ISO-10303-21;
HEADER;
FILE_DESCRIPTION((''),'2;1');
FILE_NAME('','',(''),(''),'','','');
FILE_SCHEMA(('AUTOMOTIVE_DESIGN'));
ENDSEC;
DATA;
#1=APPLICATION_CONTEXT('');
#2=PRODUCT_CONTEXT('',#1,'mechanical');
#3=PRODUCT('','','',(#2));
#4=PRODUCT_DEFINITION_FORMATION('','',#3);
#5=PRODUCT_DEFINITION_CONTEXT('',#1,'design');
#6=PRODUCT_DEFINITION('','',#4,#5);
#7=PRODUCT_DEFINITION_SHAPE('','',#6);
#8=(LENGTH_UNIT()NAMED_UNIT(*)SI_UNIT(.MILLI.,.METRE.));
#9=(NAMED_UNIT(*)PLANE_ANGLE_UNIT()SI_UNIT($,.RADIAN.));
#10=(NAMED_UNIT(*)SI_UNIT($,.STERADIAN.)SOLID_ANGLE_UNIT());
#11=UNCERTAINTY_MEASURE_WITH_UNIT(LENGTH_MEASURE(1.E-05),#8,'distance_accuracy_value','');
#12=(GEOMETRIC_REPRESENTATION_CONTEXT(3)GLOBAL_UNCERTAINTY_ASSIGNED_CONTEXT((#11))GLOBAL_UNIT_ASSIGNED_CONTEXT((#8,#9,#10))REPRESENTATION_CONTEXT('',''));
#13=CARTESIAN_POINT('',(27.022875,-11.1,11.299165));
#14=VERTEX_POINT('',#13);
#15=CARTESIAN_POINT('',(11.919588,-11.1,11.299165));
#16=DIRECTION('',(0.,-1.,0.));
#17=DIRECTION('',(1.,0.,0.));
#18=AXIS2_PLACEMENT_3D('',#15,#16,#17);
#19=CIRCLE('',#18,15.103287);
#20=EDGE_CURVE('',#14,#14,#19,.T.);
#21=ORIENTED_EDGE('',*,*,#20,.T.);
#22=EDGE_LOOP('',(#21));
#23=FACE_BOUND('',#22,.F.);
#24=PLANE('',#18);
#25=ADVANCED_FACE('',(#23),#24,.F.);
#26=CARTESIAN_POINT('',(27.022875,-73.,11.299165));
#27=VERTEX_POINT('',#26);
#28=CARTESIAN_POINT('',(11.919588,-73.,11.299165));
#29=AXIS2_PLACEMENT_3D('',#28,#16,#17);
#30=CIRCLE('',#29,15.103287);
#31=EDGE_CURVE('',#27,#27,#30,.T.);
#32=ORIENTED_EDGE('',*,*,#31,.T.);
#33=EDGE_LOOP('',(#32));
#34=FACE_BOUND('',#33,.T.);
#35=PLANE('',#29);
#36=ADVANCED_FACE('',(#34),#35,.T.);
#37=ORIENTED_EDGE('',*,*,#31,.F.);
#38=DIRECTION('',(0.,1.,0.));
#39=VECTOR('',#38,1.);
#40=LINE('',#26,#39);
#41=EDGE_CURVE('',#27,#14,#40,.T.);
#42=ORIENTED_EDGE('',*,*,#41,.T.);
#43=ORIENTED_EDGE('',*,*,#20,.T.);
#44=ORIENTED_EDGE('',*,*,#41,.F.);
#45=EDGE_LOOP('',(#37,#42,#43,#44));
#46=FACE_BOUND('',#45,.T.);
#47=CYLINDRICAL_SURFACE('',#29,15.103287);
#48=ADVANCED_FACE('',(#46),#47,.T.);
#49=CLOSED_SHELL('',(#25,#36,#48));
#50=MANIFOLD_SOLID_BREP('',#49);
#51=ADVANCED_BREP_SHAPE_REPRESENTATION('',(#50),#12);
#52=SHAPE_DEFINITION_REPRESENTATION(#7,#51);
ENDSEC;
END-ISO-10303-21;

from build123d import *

# Parameters (mm, degrees)
F0_R     = 16.979872
F1_DEPTH = 73
F2_R     = 27.197587
F3_R     = 15.103287
F4_DEPTH = 61.9


with BuildPart() as f1:
    # F0 (on Front) → F1 (new body)
    with BuildSketch(Plane.XZ):
        Polygon((27.902432, 53.963579), (-62.461782, 53.963579), (-43.482464, -46.598472), (49.431205, -19.404227), (30.168617, 24.503149), align=None)
        with Locations((-25.352968, 16.004948)):
            Circle(F0_R, mode=Mode.SUBTRACT)
    extrude(amount=F1_DEPTH)

    # F2
    f2_edges = [f1.edges().sort_by_distance(p)[0] for p in [
        (49.431205, -36.5, -19.404227),
    ]]
    fillet(f2_edges, radius=F2_R)

    # F3 (on face) → F4 (intersect)
    with BuildSketch(Plane.XZ.offset(73)):
        with Locations((11.919588, 11.299165)):
            Circle(F3_R)
    extrude(amount=-F4_DEPTH, mode=Mode.INTERSECT)


solid = f1.part
